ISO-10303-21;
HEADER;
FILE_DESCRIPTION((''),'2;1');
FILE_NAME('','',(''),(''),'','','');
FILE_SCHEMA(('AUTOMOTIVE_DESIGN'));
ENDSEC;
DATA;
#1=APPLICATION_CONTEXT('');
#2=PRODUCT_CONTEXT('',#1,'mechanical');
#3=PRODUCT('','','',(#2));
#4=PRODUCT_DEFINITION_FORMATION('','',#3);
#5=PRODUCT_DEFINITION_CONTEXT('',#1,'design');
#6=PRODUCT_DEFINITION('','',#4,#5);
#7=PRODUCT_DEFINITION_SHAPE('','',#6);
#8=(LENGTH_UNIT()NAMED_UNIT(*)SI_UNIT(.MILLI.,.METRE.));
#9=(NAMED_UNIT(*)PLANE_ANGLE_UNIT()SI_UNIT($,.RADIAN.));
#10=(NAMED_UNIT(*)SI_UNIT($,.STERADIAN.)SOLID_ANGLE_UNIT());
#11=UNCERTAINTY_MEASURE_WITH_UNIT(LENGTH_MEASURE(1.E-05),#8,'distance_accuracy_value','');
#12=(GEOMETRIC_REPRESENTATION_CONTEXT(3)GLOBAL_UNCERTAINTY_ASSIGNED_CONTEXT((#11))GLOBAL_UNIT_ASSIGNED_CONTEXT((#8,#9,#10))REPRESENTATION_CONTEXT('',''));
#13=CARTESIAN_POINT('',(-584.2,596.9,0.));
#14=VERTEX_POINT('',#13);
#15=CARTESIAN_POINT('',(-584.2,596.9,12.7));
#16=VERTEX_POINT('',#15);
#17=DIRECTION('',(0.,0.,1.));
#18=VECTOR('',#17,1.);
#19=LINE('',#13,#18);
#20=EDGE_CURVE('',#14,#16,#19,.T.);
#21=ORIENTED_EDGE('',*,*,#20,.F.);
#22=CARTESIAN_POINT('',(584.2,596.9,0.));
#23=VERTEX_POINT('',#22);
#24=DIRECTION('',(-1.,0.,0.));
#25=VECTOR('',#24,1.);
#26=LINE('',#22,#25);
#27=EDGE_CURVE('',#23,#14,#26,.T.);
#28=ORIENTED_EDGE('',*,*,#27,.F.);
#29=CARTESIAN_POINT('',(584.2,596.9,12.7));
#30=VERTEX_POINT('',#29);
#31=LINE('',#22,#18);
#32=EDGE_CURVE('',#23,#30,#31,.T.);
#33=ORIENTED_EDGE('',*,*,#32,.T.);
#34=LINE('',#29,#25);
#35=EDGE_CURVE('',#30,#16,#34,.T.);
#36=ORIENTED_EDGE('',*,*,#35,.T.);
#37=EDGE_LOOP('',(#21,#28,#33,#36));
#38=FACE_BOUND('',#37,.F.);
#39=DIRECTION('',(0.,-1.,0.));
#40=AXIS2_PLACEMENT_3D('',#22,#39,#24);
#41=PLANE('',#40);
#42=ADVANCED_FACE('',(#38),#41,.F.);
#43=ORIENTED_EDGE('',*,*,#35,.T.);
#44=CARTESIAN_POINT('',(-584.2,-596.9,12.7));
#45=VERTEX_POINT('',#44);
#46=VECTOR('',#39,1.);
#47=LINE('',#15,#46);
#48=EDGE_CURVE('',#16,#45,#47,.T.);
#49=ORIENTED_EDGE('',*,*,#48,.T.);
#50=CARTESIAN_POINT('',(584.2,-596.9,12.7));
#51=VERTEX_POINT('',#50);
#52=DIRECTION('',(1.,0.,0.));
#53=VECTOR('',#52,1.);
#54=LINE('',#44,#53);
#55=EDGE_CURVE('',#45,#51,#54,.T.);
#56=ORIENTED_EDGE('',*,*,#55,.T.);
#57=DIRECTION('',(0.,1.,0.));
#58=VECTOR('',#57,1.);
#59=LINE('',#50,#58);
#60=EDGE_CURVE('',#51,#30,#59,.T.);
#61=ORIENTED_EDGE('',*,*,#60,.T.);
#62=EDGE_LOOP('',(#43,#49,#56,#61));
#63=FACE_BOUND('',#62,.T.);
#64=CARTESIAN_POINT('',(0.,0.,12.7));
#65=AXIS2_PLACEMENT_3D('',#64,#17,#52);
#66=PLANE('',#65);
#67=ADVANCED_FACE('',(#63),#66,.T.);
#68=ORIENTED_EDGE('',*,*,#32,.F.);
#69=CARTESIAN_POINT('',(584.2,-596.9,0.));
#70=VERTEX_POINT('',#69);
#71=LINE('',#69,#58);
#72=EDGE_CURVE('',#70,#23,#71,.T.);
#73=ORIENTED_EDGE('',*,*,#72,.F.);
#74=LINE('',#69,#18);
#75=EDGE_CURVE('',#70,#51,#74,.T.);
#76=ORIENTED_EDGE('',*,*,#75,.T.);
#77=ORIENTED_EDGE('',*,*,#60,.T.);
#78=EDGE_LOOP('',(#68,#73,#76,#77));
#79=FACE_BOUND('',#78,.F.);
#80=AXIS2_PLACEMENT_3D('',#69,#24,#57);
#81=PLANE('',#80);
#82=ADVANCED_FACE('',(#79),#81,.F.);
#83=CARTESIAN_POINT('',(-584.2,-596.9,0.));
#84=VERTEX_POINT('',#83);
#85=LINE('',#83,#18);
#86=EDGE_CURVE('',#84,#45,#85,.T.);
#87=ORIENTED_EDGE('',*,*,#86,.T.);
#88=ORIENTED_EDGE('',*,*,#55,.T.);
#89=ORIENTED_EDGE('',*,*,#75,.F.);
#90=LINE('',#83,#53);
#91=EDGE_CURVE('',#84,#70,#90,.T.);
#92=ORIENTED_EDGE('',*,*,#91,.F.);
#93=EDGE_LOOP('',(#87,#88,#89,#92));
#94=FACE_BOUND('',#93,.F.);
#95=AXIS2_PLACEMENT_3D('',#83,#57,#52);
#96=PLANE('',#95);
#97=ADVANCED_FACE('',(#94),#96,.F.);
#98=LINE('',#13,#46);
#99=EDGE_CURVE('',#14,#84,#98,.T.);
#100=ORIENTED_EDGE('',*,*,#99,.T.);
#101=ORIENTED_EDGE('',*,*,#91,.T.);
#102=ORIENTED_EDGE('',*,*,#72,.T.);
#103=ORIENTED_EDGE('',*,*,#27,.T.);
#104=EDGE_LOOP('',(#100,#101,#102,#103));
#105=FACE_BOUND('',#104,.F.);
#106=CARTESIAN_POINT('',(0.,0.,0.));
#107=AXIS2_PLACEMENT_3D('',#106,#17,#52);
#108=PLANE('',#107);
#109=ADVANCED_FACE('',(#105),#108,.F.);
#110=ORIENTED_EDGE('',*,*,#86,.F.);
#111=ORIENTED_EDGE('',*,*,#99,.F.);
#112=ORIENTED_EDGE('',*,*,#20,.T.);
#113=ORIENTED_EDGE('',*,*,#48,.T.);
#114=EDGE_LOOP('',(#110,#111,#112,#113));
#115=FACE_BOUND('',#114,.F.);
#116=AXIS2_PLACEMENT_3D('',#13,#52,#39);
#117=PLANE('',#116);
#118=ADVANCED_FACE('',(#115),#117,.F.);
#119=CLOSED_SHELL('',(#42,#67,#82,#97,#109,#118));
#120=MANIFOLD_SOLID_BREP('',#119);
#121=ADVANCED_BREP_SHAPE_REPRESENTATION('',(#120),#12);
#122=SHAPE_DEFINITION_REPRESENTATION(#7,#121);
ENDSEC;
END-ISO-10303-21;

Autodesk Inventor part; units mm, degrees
ref_plane "YZ Plane" through (0, 0, 0) normal (1, 0, 0) x (0, 1, 0)
ref_plane "XZ Plane" through (0, 0, 0) normal (0, 1, 0) x (-1, 0, 0)
ref_plane "XY Plane" through (0, 0, 0) normal (0, 0, 1) x (1, 0, 0)
sketch "Sketch1" plane through (0, 0, 0) normal (0, 0, 1) x (1, 0, 0)
  line L0 (-584.2, -596.9) -> (584.2, -596.9)
  line L1 (584.2, -596.9) -> (584.2, 596.9)
  line L2 (584.2, 596.9) -> (-584.2, 596.9)
  line L3 (-584.2, 596.9) -> (-584.2, -596.9)
  line L4 (-584.2, -596.9) -> (584.2, 596.9) construction
  line L5 (584.2, -596.9) -> (-584.2, 596.9) construction
  point P0 (0, 0)
  dimension "d0" = 1168.4
  dimension "d1" = 1193.8
extrude "Extrusion1" add sketch "Sketch1" along normal blind 12.7
properties part number "right_1_0"
